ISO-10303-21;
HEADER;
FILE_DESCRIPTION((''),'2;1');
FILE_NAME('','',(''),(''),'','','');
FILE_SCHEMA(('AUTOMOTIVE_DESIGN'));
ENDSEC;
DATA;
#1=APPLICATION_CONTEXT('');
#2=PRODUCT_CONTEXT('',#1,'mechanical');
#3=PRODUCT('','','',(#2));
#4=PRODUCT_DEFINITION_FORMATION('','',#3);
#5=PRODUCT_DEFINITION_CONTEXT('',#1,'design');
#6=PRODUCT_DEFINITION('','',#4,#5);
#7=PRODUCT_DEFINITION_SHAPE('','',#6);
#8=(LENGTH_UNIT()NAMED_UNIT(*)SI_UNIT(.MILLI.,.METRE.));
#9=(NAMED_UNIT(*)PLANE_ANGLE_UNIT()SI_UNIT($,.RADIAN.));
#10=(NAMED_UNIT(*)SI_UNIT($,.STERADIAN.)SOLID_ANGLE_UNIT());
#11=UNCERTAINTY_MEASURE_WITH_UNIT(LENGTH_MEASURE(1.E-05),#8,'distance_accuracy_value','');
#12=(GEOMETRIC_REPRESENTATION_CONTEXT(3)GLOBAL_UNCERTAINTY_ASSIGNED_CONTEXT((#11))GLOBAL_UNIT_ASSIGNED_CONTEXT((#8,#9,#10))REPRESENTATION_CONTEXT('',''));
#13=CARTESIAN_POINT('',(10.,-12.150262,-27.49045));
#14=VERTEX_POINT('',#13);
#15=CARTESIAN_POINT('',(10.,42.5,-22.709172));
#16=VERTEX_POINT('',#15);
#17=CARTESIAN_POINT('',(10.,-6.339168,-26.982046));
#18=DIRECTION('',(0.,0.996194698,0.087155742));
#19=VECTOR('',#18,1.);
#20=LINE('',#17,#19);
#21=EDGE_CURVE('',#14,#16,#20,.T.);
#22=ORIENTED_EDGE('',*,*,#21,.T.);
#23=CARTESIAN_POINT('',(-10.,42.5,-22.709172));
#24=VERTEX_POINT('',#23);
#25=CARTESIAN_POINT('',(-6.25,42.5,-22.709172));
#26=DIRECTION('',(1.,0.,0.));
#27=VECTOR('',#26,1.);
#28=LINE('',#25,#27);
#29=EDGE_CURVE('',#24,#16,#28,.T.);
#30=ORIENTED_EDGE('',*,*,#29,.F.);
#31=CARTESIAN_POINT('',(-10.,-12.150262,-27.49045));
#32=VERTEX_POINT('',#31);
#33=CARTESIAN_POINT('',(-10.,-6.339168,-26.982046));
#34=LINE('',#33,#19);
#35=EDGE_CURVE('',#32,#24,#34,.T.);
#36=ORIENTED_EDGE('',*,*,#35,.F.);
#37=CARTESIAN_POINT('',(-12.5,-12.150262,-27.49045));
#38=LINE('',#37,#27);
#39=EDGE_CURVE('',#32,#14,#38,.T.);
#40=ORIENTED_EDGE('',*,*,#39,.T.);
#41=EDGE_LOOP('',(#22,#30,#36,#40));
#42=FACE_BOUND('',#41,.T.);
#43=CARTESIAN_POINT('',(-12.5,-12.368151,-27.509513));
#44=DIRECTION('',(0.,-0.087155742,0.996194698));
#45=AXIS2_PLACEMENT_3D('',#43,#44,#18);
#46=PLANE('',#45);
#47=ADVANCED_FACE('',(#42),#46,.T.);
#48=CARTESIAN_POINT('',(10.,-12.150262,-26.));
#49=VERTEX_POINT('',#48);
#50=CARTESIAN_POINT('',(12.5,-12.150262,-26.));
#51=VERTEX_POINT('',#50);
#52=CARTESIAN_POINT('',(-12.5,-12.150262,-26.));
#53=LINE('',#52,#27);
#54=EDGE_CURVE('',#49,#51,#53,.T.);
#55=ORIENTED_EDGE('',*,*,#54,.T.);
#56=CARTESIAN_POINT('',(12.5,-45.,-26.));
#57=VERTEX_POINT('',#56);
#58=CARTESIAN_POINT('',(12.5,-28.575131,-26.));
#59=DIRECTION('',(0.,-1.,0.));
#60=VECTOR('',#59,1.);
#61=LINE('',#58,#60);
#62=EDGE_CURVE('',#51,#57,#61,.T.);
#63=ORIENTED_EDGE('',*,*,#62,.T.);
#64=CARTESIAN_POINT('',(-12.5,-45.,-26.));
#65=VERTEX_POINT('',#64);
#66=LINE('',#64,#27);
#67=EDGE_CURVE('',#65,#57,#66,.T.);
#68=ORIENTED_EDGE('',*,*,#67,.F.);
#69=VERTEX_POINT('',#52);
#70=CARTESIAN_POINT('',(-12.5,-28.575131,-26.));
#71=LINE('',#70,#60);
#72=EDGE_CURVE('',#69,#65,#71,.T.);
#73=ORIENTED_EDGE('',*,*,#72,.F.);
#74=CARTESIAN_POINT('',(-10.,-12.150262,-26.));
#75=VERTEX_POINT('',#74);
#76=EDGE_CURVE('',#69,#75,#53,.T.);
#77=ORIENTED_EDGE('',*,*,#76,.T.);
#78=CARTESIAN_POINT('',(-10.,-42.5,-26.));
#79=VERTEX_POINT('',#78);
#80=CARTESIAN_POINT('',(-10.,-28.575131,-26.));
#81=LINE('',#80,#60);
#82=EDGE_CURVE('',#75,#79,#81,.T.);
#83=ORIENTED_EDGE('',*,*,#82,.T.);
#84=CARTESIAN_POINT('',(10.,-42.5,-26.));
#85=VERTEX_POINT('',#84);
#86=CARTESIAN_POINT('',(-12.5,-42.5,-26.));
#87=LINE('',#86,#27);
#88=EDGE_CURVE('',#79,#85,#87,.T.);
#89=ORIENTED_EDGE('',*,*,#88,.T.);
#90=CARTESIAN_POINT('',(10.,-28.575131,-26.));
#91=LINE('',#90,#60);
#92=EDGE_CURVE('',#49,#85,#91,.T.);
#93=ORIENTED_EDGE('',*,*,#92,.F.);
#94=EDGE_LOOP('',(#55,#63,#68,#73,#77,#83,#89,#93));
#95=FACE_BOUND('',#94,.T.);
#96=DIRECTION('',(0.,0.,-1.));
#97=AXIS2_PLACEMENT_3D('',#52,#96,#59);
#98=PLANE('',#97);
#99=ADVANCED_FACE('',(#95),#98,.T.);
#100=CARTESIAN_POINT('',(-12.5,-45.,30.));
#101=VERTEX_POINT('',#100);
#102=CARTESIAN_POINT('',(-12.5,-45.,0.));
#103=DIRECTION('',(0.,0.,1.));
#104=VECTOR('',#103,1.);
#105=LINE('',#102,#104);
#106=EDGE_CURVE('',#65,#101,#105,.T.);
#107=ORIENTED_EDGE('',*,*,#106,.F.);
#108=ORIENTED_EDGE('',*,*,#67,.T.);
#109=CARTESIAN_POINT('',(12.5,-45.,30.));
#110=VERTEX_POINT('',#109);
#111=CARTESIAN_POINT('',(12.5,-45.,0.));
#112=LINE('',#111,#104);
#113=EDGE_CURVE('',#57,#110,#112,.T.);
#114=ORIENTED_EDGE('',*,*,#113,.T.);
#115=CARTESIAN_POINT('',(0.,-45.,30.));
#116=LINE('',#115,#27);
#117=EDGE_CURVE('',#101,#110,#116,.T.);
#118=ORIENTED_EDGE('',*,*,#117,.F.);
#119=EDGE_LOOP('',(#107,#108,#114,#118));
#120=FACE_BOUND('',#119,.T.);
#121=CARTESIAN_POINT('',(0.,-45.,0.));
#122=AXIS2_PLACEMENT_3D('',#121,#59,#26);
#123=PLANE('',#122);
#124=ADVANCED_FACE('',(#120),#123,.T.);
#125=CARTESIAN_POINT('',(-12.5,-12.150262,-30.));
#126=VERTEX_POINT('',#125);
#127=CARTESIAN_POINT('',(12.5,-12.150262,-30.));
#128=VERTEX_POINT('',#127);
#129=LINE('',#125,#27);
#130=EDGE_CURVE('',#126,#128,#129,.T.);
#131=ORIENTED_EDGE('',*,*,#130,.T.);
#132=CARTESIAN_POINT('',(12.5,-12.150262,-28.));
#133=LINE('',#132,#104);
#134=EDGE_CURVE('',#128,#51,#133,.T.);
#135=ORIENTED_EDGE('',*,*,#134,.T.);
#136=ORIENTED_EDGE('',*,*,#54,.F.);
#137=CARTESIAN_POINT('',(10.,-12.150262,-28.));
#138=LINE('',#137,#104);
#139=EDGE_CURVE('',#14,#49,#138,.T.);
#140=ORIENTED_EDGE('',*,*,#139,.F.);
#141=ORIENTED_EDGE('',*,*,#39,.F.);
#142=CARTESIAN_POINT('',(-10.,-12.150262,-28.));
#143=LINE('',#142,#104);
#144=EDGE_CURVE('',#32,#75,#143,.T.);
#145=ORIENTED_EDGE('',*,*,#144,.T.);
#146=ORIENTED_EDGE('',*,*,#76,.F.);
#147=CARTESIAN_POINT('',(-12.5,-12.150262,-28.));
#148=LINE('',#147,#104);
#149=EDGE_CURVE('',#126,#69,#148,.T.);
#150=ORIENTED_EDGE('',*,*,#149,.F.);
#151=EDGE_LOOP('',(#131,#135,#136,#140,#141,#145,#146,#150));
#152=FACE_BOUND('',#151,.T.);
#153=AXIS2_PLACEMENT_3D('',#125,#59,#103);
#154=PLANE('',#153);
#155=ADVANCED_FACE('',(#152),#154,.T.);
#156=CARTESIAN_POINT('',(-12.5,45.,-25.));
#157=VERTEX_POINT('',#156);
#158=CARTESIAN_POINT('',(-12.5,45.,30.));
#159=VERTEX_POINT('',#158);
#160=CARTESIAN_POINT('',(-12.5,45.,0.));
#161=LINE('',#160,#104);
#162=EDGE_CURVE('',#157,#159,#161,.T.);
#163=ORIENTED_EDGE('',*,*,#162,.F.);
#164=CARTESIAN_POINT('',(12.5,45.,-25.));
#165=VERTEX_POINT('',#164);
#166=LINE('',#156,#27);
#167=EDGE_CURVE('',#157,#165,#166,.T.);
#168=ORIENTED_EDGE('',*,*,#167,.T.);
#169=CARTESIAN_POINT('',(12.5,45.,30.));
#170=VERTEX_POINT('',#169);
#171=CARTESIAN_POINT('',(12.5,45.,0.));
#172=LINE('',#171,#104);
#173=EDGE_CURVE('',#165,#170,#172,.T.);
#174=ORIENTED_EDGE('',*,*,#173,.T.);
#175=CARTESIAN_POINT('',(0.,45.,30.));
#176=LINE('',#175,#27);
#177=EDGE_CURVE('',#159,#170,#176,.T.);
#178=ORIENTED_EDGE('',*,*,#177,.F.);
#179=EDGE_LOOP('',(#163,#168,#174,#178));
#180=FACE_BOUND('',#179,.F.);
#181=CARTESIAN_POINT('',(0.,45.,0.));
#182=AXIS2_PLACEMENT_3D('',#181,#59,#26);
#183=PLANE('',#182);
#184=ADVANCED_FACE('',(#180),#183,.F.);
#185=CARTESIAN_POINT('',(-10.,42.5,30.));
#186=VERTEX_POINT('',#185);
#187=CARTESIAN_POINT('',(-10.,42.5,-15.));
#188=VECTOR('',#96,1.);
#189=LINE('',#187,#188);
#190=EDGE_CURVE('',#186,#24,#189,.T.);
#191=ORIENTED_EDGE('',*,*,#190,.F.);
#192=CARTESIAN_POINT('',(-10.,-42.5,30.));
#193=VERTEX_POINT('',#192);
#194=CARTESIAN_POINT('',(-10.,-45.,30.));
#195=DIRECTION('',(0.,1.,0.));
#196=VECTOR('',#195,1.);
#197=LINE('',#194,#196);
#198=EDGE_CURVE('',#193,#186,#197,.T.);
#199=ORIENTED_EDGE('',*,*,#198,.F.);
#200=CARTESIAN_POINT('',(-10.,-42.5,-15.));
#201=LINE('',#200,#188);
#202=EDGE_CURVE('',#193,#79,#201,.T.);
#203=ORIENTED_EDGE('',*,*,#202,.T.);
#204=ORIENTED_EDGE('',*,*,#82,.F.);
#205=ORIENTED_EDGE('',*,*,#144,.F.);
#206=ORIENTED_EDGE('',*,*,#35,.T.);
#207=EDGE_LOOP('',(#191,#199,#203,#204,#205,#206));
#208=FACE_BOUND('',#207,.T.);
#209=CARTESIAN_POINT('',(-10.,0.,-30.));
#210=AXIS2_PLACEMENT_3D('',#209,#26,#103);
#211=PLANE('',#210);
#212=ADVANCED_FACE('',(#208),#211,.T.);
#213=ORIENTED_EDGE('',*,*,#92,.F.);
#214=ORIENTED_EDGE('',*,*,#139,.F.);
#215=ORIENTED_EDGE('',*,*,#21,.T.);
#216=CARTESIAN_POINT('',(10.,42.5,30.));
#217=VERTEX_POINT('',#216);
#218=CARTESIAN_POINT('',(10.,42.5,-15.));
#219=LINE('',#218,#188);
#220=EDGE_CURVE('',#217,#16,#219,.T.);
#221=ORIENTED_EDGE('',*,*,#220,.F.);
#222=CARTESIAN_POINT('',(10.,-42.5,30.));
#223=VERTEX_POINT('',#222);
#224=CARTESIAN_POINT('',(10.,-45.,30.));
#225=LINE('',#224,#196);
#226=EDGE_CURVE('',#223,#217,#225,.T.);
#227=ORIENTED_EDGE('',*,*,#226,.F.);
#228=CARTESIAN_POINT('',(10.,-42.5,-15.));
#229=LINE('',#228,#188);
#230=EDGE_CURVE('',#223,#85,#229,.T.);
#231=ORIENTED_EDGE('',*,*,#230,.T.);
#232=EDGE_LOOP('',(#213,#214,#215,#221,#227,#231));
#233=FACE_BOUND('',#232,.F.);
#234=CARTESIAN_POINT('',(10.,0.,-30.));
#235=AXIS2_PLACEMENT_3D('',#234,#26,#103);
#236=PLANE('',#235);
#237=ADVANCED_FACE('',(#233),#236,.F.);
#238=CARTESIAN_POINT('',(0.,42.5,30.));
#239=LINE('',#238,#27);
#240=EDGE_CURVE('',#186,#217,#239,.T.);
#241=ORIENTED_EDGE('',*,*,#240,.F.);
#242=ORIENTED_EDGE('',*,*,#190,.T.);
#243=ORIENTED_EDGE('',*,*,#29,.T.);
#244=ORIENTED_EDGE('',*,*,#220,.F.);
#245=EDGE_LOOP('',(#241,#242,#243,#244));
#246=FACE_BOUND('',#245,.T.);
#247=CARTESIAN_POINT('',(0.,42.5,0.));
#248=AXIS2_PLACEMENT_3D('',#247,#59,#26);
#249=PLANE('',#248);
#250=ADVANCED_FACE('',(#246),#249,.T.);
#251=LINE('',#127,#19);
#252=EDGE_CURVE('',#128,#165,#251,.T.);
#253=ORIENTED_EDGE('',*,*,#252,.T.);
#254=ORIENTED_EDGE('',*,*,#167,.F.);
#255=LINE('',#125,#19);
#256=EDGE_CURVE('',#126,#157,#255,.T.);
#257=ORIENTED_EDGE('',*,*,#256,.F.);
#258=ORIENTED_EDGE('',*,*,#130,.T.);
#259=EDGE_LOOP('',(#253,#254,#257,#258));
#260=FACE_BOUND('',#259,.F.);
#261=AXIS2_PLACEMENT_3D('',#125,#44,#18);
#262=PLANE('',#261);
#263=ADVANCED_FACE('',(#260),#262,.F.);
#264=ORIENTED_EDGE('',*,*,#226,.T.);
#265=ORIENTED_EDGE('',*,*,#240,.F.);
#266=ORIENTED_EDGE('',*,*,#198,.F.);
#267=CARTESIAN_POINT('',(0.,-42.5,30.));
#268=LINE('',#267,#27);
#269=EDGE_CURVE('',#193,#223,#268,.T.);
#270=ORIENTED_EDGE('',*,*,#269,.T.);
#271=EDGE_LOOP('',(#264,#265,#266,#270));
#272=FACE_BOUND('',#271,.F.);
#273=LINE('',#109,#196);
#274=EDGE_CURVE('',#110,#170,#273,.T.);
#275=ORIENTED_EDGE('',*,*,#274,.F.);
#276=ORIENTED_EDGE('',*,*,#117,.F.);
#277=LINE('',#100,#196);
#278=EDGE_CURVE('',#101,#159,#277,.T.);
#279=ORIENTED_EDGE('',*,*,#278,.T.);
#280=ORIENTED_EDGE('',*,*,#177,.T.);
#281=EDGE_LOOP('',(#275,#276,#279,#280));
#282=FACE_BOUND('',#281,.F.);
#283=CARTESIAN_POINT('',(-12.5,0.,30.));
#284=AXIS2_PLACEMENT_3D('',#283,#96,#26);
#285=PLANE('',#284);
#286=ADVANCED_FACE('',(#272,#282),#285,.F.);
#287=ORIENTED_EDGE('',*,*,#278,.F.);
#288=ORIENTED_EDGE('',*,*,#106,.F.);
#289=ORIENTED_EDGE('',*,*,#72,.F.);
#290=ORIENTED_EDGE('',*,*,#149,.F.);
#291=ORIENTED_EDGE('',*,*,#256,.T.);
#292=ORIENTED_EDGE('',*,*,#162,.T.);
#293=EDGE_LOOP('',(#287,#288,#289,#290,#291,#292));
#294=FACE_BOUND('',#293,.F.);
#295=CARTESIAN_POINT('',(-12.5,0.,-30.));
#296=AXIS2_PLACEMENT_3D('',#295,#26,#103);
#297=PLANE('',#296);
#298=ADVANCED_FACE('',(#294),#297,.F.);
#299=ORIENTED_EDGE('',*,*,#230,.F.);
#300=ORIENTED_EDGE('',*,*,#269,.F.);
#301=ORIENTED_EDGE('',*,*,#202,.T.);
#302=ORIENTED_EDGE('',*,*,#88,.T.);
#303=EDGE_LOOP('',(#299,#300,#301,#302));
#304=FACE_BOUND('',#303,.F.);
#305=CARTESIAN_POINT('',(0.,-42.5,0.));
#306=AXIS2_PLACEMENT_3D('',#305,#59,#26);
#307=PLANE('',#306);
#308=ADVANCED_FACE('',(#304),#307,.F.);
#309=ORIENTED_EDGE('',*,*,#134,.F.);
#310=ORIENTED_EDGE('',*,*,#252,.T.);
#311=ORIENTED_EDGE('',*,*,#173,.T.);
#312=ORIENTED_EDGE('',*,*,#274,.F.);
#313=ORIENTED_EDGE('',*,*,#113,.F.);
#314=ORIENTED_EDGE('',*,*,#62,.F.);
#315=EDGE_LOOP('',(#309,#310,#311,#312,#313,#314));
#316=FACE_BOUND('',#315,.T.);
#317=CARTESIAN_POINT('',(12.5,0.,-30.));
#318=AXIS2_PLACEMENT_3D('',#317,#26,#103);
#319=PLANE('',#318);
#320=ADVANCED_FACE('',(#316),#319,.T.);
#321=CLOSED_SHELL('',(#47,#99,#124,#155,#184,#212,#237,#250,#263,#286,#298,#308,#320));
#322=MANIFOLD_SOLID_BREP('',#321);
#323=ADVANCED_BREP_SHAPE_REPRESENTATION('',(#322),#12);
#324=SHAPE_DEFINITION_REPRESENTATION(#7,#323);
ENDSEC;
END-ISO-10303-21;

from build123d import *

# Parameters (mm, degrees)
F0_W          = 25
F0_H          = 60
F1_DEPTH      = 45
F1_DEPTH_BACK = 45
F3_DEPTH      = 25
F4_W          = 32.849738
F4_H          = 4
F5_DEPTH      = 25
F6_T          = -2.5


with BuildPart() as f1:
    # F0 (on Front) → F1 (new body, two sides)
    with BuildSketch(Plane.XZ) as f1_sk:
        Rectangle(F0_W, F0_H)
    extrude(amount=F1_DEPTH)
    extrude(f1_sk.sketch, amount=-F1_DEPTH_BACK)

    # F2 (on face) → F3 (cut)
    with BuildSketch(Plane(origin=(-12.5, 0, 0), x_dir=(0, -1, 0), z_dir=(-1, 0, 0))):
        Polygon((-45, -30), (12.150262, -30), (-45, -25), align=None)
    extrude(amount=-F3_DEPTH, mode=Mode.SUBTRACT)

    # F4 (on face) → F5 (cut)
    with BuildSketch(Plane(origin=(-12.5, 0, 0), x_dir=(0, -1, 0), z_dir=(-1, 0, 0))):
        with Locations((28.575131, -28)):
            Rectangle(F4_W, F4_H)
    extrude(amount=-F5_DEPTH, mode=Mode.SUBTRACT)

    # F6
    f6_openings = [f1.faces().sort_by_distance(p)[0] for p in [
        (0, -28.575131, -26),
        (0, -12.150262, -28),
        (0, 0, 30),
    ]]
    offset(amount=F6_T, openings=f6_openings)


solid = f1.part
